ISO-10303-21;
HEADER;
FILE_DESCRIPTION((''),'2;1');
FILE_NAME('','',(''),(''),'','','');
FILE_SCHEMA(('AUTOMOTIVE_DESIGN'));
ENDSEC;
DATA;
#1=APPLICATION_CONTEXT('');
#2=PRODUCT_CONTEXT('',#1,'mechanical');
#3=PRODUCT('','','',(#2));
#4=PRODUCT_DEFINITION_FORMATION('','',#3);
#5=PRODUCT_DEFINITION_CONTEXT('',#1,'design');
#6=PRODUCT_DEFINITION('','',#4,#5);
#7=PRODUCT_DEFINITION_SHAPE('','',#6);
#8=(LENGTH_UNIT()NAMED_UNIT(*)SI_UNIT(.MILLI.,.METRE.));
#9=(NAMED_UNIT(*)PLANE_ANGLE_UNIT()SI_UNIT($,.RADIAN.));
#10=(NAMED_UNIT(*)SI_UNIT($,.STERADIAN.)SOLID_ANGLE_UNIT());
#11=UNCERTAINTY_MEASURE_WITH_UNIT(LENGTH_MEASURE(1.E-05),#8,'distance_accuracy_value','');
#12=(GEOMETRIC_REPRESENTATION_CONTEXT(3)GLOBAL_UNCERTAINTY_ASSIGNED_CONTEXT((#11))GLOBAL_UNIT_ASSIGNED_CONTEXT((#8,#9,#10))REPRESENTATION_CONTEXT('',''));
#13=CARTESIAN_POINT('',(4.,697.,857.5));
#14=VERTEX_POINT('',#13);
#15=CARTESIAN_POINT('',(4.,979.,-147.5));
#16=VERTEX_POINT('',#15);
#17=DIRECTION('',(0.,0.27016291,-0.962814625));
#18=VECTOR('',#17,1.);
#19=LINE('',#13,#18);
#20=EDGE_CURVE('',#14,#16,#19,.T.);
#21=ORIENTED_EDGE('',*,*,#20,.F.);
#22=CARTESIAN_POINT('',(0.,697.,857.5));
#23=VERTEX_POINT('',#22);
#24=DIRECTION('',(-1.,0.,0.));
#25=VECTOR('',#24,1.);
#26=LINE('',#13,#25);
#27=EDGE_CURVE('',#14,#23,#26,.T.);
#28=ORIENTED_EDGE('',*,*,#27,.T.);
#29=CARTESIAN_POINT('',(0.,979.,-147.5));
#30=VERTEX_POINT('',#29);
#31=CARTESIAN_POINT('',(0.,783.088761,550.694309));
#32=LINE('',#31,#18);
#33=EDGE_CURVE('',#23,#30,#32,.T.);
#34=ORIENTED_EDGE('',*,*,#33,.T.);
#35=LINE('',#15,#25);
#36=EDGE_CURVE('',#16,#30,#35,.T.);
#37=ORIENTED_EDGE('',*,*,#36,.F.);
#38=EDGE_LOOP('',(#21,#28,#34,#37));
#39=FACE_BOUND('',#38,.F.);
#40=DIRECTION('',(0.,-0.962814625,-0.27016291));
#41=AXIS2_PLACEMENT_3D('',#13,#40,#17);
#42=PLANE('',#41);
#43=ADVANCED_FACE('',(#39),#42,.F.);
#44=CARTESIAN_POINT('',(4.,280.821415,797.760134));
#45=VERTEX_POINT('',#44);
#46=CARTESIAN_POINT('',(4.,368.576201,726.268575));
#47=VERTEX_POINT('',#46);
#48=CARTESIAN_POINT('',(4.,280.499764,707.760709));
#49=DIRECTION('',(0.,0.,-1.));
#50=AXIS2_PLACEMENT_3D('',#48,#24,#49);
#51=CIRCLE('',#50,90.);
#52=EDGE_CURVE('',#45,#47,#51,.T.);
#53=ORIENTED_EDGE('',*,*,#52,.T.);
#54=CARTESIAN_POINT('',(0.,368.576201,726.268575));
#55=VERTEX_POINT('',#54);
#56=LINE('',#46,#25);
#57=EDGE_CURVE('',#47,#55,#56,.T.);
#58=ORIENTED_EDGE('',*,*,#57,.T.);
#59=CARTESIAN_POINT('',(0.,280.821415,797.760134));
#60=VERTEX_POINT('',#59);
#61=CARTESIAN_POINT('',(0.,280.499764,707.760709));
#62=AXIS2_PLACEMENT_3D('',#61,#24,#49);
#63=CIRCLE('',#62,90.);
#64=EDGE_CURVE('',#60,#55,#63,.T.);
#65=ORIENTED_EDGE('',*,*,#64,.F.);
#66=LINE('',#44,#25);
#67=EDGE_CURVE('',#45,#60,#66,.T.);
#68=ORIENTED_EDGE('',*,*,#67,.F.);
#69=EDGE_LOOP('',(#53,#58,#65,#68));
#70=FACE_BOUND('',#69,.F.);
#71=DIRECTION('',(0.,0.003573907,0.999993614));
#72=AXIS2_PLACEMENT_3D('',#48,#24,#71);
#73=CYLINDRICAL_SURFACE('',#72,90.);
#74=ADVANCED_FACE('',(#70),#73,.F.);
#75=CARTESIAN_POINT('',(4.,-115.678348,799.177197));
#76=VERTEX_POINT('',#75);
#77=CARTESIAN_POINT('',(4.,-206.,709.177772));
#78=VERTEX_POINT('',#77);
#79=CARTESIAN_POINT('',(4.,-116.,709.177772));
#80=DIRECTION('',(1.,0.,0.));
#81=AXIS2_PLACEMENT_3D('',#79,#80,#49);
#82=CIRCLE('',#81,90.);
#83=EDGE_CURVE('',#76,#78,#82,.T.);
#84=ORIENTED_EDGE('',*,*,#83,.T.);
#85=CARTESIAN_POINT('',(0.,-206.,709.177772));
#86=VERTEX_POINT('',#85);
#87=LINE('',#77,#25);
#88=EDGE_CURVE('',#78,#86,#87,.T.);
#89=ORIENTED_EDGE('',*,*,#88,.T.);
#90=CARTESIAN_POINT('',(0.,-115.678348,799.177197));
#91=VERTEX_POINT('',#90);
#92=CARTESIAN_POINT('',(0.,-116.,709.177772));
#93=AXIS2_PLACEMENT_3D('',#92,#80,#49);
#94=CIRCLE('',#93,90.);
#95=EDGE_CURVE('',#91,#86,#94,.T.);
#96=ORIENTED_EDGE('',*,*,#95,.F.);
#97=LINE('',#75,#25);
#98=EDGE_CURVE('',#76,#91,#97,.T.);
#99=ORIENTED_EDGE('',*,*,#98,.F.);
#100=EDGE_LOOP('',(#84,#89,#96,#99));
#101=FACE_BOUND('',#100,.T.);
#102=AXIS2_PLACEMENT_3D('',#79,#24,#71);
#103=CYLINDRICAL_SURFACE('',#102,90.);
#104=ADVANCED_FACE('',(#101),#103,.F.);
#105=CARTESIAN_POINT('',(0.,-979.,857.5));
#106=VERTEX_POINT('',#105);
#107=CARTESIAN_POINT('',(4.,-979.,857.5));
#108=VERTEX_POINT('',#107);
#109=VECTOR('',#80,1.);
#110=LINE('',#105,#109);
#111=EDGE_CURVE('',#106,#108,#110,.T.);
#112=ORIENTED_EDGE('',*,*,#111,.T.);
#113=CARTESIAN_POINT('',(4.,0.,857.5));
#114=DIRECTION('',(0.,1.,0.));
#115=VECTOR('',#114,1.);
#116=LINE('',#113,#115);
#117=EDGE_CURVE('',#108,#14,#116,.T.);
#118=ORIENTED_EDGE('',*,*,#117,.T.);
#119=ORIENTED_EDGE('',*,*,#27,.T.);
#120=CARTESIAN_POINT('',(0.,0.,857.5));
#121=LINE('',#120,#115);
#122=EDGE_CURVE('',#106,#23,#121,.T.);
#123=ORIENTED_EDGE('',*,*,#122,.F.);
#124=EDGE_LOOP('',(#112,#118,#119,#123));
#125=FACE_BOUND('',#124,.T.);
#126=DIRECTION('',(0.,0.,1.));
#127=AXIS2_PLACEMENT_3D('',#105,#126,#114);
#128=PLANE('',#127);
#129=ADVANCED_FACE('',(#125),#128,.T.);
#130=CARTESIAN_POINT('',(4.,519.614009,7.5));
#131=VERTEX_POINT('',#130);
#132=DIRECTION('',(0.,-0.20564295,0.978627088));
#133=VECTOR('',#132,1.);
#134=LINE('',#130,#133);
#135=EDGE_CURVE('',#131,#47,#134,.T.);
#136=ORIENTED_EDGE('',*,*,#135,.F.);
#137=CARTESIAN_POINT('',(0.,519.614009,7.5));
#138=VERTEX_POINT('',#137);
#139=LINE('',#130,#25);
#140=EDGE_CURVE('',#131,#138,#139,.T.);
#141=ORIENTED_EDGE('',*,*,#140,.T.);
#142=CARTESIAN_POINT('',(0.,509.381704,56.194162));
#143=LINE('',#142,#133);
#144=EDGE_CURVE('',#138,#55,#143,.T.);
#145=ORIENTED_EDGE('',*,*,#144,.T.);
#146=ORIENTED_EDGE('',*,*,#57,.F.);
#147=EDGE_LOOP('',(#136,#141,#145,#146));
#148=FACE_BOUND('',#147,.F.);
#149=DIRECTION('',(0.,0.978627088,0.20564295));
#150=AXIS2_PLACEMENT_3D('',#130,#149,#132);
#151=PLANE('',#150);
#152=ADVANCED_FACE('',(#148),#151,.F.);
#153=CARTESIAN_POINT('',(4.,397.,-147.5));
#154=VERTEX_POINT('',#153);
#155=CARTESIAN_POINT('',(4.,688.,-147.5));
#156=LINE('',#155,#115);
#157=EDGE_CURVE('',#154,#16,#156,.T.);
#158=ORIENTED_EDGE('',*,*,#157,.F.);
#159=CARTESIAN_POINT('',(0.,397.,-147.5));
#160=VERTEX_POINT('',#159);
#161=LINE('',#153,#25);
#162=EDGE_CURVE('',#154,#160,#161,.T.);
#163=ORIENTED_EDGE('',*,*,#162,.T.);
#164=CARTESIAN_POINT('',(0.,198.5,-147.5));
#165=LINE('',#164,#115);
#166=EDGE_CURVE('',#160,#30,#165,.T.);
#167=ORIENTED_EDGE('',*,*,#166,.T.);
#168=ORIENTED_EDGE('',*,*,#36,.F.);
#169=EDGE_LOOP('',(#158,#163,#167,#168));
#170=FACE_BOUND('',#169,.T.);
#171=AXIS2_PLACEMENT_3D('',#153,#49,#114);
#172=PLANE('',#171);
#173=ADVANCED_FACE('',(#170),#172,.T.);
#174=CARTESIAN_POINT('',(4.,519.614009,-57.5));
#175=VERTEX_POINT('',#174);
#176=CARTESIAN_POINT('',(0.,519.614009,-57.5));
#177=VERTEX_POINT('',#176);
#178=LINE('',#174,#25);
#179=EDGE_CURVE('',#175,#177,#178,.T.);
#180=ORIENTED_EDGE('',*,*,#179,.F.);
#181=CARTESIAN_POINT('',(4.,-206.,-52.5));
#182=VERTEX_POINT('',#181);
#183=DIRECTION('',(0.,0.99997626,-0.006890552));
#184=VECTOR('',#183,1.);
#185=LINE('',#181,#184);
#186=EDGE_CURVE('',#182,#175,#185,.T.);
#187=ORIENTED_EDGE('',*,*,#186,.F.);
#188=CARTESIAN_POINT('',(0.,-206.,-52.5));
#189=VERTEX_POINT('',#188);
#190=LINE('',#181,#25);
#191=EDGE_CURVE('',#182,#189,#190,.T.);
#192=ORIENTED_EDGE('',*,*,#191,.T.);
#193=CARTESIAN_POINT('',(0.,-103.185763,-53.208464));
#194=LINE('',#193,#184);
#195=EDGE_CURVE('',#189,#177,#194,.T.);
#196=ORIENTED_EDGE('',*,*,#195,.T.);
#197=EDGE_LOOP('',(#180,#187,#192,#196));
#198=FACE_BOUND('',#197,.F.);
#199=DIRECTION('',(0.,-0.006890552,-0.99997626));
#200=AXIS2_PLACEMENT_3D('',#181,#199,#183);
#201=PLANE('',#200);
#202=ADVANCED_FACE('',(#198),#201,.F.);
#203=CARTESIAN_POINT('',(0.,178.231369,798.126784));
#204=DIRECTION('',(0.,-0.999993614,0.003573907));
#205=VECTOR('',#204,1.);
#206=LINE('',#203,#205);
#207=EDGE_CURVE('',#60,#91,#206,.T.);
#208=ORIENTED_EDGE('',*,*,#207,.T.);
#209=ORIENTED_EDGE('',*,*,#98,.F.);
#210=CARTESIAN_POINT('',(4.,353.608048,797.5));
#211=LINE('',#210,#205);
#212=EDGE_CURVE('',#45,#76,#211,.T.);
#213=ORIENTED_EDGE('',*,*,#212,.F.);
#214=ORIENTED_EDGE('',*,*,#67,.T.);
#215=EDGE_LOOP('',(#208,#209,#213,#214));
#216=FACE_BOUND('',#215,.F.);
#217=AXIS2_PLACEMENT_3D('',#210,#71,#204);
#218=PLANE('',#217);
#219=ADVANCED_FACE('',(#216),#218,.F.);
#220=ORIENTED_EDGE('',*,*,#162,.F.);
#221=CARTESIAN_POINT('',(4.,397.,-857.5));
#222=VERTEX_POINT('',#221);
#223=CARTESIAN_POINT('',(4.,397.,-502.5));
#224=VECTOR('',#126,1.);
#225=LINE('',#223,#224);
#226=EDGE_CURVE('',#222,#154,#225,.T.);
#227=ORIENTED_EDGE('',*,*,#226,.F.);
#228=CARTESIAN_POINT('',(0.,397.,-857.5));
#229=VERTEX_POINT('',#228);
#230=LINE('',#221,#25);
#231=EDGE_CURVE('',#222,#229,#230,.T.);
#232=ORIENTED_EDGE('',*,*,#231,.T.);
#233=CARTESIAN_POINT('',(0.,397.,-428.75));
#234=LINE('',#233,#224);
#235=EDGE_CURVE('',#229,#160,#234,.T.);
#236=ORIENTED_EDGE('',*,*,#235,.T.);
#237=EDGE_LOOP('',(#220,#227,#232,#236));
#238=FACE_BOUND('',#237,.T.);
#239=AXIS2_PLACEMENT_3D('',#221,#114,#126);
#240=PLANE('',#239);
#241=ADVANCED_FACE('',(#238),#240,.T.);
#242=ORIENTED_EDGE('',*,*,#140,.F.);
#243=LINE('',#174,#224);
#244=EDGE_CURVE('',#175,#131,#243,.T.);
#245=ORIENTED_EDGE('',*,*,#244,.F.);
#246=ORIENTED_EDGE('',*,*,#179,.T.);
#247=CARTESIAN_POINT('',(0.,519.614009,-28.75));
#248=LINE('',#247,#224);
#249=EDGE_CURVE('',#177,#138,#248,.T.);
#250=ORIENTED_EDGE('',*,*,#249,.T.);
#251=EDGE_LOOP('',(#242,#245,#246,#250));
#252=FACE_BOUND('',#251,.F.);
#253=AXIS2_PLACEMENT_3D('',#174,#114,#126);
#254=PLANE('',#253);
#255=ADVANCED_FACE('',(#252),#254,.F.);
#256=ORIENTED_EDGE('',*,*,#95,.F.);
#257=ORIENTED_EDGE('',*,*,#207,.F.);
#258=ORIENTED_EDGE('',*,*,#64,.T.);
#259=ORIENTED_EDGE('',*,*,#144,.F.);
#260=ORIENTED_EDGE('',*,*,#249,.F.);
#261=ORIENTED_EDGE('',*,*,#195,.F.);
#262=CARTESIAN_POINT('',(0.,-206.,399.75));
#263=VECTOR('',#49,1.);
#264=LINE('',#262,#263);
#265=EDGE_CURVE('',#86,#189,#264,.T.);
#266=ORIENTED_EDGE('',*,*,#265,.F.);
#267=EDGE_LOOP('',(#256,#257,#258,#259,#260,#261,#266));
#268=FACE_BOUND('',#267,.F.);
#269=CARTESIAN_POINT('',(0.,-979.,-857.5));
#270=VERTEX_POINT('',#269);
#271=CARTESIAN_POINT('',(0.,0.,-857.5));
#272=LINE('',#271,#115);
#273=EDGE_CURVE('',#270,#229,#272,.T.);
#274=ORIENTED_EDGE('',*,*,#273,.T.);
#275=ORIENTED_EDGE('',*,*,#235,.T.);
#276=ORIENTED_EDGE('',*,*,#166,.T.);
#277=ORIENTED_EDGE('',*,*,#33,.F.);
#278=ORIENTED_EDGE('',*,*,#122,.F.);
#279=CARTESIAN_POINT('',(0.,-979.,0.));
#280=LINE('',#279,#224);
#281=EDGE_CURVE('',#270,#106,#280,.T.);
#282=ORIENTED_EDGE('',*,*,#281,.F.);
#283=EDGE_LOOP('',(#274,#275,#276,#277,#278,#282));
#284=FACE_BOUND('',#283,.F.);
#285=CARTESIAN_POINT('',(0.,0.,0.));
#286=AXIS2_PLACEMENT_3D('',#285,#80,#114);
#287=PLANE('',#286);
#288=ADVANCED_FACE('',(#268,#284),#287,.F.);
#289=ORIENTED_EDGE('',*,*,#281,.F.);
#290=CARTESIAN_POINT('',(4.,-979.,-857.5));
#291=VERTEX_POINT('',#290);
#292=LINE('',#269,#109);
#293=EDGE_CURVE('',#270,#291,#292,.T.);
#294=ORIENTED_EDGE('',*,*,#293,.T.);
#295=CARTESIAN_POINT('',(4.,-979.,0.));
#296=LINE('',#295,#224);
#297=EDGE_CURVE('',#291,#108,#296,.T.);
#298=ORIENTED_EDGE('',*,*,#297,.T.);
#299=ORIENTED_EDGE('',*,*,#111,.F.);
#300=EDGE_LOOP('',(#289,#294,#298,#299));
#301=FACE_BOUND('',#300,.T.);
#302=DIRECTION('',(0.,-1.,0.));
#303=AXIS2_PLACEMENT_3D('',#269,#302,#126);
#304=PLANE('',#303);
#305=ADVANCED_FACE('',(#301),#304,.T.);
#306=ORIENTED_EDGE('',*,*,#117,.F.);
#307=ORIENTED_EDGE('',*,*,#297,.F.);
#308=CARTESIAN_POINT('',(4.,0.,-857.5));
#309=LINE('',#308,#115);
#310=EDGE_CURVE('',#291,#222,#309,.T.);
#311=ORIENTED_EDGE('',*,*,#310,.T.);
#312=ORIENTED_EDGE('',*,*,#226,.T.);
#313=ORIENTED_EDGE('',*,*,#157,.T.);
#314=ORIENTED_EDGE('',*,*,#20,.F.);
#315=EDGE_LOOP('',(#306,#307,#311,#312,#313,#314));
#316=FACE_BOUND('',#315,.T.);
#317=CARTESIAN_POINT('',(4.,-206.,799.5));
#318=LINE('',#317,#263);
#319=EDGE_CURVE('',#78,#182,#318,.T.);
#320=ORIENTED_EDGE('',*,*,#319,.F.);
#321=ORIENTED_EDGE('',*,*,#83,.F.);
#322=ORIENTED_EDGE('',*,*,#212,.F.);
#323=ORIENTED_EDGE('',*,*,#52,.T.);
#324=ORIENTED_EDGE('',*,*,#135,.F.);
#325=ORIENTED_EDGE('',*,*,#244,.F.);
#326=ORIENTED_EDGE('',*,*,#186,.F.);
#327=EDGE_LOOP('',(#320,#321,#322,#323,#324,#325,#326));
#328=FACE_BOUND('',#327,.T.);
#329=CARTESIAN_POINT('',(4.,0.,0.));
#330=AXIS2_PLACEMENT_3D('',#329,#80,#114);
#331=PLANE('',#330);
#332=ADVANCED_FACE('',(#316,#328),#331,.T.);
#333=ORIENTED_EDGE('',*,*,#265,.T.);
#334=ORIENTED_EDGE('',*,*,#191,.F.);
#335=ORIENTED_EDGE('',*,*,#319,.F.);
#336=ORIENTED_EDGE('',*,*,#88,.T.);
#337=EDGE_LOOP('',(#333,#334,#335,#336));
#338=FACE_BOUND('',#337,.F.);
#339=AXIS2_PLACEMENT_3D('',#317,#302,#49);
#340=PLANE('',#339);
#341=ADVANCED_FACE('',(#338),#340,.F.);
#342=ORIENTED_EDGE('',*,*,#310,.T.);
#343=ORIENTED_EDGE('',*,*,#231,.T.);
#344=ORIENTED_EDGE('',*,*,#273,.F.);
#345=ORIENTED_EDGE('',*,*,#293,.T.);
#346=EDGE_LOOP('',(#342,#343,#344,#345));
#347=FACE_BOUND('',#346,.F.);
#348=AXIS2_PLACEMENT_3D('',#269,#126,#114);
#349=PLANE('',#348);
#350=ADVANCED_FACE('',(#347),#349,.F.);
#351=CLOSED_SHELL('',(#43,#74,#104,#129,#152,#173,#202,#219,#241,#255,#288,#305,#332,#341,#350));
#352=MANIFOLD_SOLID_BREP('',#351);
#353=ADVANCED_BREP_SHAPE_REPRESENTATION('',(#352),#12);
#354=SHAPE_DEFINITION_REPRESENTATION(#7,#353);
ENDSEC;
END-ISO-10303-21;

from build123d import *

# Parameters (mm, degrees)
F0_W     = 1958
F0_H     = 1715
F1_DEPTH = 4
F2_W     = 582
F2_H     = 710
F3_DEPTH = 4.001
F5_DEPTH = 4.001
F6_R     = 90


with BuildPart() as f1:
    # F0 (on Right) → F1 (new body)
    with BuildSketch(Plane.YZ):
        Rectangle(F0_W, F0_H)
    extrude(amount=F1_DEPTH)

    # F2 (on face) → F3 (cut, through all)
    with BuildSketch(Plane.YZ.offset(4)):
        Polygon((697, 857.5), (979, -147.5), (979, 857.5), align=None)
        with Locations((688, -502.5)):
            Rectangle(F2_W, F2_H)
    extrude(amount=-F3_DEPTH, mode=Mode.SUBTRACT)

    # F4 (on face) → F5 (cut, through all)
    with BuildSketch(Plane.YZ.offset(4)):
        Polygon((353.608048, 797.5), (-206, 799.5), (-206, -52.5), (519.614009, -57.5), (519.614009, 7.5), align=None)
    extrude(amount=-F5_DEPTH, mode=Mode.SUBTRACT)

    # F6
    f6_edges = [f1.edges().sort_by_distance(p)[0] for p in [
        (2, -206, 799.5),
        (2, 353.608048, 797.5),
    ]]
    fillet(f6_edges, radius=F6_R)


solid = f1.part
